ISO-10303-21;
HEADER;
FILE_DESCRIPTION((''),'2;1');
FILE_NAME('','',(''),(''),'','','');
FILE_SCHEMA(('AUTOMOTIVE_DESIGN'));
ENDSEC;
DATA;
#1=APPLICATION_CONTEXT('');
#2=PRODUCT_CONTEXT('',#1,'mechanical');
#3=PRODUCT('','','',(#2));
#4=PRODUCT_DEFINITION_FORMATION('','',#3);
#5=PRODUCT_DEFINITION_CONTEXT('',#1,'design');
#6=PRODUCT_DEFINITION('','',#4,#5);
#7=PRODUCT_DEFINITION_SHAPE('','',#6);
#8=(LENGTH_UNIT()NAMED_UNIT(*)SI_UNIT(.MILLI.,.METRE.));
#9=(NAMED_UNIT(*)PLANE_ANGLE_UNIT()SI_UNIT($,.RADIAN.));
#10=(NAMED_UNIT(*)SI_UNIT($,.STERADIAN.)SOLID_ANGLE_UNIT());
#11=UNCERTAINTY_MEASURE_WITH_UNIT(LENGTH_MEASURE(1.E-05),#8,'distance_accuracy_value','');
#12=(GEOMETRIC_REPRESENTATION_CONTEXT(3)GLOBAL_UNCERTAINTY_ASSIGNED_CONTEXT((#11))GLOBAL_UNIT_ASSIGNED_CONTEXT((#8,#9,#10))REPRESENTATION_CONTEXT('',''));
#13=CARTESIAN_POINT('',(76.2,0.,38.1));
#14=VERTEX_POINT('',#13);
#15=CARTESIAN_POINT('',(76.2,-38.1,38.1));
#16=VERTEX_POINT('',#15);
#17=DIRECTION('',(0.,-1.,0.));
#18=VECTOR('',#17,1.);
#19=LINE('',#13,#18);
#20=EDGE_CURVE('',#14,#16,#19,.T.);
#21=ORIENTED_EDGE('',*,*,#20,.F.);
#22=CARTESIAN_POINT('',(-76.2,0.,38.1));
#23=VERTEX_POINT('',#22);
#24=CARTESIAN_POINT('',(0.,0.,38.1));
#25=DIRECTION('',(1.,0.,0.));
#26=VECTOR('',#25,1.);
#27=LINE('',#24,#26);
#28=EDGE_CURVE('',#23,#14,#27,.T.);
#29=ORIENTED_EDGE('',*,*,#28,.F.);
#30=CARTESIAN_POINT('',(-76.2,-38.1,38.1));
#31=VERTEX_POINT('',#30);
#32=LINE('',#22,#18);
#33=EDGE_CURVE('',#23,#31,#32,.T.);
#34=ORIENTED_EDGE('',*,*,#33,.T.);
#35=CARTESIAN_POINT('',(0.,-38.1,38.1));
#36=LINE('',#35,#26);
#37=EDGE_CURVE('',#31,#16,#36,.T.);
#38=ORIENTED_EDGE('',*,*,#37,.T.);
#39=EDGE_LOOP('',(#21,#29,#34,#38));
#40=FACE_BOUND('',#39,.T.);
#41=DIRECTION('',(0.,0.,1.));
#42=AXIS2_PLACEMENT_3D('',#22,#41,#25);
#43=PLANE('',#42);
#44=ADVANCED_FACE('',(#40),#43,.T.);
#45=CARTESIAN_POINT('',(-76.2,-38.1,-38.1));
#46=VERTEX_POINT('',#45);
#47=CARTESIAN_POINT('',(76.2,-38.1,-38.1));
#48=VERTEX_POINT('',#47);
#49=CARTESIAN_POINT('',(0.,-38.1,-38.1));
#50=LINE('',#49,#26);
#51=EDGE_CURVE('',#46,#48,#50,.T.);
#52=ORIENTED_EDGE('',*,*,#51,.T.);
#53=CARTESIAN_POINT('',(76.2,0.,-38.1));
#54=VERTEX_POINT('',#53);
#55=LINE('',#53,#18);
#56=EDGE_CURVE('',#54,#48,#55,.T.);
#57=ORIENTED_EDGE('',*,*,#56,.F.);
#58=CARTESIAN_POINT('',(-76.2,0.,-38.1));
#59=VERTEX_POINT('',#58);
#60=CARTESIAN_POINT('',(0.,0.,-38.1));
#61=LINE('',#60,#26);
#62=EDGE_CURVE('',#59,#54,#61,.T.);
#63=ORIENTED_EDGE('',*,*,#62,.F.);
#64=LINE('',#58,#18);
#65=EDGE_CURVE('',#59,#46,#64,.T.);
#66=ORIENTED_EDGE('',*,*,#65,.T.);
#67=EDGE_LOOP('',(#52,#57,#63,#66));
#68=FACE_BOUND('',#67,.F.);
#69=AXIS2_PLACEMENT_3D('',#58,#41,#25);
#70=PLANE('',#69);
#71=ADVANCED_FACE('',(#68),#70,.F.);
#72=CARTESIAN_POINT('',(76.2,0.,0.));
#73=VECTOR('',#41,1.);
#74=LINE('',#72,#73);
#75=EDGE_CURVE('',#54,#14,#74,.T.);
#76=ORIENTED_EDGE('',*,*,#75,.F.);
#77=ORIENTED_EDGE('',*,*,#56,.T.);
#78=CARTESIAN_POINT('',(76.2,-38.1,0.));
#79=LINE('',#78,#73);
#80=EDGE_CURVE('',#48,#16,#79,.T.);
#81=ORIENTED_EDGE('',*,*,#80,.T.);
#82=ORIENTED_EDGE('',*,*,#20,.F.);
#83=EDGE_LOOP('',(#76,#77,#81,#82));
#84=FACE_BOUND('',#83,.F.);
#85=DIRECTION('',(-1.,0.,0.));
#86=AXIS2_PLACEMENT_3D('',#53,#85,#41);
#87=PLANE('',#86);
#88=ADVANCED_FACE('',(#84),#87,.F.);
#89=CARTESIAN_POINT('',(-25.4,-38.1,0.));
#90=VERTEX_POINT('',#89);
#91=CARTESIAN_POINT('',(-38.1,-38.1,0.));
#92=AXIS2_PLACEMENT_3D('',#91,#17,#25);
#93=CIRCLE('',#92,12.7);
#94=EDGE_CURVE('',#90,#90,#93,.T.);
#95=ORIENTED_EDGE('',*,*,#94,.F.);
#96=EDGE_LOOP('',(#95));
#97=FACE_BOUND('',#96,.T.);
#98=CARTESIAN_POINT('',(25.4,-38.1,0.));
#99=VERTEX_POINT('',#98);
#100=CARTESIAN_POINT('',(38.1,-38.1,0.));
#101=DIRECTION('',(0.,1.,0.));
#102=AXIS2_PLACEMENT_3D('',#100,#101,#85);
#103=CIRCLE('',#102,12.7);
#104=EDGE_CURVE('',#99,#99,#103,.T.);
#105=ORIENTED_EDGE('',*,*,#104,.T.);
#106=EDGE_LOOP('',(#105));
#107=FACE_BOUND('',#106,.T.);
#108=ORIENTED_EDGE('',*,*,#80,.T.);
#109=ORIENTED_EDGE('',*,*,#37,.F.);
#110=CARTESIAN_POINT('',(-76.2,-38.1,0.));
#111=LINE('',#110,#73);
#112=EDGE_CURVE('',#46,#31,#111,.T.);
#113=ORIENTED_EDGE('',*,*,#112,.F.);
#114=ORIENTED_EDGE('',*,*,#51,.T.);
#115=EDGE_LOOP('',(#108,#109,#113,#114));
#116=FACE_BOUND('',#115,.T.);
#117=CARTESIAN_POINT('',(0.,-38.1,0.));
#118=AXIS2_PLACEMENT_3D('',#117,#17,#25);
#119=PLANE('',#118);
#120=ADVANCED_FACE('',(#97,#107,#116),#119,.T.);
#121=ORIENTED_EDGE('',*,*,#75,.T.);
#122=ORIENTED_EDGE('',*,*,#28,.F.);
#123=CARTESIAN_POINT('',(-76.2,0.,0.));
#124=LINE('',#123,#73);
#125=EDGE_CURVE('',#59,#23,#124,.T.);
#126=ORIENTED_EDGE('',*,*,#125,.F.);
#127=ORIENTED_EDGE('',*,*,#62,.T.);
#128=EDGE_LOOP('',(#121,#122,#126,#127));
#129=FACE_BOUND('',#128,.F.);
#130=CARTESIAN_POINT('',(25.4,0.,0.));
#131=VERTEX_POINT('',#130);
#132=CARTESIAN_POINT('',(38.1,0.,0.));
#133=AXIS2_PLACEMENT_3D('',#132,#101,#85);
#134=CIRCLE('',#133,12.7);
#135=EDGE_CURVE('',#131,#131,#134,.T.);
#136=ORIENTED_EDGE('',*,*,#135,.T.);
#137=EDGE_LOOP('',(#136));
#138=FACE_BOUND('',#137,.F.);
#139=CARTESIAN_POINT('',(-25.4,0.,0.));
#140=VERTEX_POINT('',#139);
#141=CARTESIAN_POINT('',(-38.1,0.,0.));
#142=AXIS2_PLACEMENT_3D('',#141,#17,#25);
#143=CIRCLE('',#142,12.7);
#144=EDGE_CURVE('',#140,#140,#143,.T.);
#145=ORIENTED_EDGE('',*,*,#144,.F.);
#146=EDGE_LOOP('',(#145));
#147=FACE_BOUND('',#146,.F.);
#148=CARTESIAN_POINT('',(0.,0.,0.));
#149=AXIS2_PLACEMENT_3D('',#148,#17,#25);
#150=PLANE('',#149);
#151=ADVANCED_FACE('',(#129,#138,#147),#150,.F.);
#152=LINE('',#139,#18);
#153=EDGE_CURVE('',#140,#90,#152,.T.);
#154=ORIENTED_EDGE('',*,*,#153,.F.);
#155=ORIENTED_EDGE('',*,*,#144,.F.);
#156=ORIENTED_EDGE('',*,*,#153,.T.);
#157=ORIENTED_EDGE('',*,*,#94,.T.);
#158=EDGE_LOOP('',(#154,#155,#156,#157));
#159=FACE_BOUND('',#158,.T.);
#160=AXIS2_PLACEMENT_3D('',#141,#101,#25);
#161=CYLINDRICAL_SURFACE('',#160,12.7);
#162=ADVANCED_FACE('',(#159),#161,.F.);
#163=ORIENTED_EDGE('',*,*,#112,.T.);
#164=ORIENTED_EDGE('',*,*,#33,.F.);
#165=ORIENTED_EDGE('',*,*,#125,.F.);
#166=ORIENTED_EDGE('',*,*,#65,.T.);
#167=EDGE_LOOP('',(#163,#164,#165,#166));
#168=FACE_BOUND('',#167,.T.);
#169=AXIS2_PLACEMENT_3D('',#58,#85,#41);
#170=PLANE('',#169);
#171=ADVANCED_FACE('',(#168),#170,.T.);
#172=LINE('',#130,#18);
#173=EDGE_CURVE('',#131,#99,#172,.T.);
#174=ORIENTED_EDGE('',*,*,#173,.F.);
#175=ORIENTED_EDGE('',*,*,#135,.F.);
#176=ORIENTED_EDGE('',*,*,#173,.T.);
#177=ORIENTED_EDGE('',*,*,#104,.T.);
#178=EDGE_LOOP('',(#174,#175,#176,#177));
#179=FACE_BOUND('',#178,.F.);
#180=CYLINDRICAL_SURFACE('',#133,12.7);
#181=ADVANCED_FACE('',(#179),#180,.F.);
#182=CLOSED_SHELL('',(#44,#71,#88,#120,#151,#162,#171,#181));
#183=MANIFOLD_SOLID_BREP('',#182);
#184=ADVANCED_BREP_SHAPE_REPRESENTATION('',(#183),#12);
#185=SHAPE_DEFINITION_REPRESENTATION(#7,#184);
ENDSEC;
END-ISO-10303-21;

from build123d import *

# Parameters (mm, degrees)
F0_W     = 152.4
F0_H     = 76.2
F0_R     = 12.7
F1_DEPTH = 38.1


with BuildPart() as f1:
    # F0 (on Front) → F1 (new body)
    with BuildSketch(Plane.XZ):
        Rectangle(F0_W, F0_H)
        with Locations((-38.1, 0)):
            Circle(F0_R, mode=Mode.SUBTRACT)
        with BuildLine():
            ThreePointArc((50.8, 0), (38.1, -12.7), (25.4, 0))
            ThreePointArc((25.4, 0), (38.1, 12.7), (50.8, 0))
        make_face(mode=Mode.SUBTRACT)
    extrude(amount=F1_DEPTH)


solid = f1.part
